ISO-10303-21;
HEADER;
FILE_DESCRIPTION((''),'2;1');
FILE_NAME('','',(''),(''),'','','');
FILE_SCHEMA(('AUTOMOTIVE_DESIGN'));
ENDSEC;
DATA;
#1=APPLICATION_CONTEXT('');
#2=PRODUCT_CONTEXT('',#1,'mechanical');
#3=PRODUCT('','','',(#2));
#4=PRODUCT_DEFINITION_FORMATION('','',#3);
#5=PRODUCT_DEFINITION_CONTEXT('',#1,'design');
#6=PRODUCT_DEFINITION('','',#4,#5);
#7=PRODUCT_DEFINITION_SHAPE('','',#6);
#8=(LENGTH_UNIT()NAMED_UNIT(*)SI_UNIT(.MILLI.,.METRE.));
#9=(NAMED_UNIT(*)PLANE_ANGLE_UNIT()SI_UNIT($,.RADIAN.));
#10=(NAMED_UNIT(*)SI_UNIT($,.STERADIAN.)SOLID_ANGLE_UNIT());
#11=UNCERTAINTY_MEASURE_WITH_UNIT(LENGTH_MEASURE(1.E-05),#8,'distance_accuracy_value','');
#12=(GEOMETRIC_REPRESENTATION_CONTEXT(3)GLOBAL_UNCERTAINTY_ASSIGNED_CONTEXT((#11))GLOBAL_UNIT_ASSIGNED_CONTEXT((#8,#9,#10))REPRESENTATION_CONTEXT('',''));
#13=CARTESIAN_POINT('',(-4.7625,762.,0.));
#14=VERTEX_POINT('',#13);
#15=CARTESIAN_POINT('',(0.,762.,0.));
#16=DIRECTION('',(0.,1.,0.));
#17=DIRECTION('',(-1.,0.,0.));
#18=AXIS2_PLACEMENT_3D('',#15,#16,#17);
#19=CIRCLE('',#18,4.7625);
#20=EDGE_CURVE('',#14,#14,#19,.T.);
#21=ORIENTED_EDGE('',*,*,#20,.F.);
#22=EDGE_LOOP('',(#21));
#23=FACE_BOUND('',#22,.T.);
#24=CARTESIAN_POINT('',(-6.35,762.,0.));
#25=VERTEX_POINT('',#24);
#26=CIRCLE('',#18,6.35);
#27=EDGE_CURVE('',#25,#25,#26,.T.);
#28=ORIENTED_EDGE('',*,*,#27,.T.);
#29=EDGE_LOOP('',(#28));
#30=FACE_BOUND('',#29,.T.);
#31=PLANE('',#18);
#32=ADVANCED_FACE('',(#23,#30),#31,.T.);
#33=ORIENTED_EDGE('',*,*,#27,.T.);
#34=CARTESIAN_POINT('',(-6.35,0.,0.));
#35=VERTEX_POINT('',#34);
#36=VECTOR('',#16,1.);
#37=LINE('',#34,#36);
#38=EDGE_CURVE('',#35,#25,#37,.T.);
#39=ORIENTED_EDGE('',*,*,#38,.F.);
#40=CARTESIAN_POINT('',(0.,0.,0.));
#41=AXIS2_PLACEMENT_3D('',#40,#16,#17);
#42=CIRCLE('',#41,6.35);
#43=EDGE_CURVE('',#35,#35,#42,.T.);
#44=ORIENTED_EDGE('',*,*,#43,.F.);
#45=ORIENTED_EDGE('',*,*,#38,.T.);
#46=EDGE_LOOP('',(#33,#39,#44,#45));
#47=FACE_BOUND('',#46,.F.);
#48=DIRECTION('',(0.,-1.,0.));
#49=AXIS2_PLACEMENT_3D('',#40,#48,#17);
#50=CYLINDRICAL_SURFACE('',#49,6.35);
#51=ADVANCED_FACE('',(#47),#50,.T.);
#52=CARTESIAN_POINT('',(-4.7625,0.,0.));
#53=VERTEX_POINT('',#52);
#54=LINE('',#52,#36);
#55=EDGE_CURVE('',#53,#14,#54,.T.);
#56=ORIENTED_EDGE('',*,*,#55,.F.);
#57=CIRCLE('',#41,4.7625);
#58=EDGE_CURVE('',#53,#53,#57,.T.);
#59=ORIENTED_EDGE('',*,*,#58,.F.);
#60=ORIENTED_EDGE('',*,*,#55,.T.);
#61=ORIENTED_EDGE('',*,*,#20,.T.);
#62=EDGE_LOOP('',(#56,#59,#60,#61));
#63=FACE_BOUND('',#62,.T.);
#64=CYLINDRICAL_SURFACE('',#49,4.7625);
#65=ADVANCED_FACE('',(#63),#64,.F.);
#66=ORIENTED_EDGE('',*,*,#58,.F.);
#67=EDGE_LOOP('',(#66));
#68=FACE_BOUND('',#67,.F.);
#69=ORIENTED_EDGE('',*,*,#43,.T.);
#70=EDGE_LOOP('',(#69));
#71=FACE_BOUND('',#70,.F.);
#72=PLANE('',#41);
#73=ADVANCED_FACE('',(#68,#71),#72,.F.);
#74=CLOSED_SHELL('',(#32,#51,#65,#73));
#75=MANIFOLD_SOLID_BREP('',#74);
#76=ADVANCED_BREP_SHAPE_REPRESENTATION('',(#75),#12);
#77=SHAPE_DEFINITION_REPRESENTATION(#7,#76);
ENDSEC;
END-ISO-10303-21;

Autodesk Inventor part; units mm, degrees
ref_plane "YZ Plane" through (0, 0, 0) normal (1, 0, 0) x (0, 1, 0)
ref_plane "XZ Plane" through (0, 0, 0) normal (0, 1, 0) x (-1, 0, 0)
ref_plane "XY Plane" through (0, 0, 0) normal (0, 0, 1) x (1, 0, 0)
sketch "Sketch1" plane through (0, 0, 0) normal (0, 1, 0) x (-1, 0, 0)
  circle A0 centre (0, 0) radius 6.35
  circle A1 centre (0, 0) radius 4.7625
  dimension "d0" = 12.7
  dimension "d2" = 1.5875
extrude "Extrusion1" add sketch "Sketch1" along normal blind 762
properties part number "Tube"
